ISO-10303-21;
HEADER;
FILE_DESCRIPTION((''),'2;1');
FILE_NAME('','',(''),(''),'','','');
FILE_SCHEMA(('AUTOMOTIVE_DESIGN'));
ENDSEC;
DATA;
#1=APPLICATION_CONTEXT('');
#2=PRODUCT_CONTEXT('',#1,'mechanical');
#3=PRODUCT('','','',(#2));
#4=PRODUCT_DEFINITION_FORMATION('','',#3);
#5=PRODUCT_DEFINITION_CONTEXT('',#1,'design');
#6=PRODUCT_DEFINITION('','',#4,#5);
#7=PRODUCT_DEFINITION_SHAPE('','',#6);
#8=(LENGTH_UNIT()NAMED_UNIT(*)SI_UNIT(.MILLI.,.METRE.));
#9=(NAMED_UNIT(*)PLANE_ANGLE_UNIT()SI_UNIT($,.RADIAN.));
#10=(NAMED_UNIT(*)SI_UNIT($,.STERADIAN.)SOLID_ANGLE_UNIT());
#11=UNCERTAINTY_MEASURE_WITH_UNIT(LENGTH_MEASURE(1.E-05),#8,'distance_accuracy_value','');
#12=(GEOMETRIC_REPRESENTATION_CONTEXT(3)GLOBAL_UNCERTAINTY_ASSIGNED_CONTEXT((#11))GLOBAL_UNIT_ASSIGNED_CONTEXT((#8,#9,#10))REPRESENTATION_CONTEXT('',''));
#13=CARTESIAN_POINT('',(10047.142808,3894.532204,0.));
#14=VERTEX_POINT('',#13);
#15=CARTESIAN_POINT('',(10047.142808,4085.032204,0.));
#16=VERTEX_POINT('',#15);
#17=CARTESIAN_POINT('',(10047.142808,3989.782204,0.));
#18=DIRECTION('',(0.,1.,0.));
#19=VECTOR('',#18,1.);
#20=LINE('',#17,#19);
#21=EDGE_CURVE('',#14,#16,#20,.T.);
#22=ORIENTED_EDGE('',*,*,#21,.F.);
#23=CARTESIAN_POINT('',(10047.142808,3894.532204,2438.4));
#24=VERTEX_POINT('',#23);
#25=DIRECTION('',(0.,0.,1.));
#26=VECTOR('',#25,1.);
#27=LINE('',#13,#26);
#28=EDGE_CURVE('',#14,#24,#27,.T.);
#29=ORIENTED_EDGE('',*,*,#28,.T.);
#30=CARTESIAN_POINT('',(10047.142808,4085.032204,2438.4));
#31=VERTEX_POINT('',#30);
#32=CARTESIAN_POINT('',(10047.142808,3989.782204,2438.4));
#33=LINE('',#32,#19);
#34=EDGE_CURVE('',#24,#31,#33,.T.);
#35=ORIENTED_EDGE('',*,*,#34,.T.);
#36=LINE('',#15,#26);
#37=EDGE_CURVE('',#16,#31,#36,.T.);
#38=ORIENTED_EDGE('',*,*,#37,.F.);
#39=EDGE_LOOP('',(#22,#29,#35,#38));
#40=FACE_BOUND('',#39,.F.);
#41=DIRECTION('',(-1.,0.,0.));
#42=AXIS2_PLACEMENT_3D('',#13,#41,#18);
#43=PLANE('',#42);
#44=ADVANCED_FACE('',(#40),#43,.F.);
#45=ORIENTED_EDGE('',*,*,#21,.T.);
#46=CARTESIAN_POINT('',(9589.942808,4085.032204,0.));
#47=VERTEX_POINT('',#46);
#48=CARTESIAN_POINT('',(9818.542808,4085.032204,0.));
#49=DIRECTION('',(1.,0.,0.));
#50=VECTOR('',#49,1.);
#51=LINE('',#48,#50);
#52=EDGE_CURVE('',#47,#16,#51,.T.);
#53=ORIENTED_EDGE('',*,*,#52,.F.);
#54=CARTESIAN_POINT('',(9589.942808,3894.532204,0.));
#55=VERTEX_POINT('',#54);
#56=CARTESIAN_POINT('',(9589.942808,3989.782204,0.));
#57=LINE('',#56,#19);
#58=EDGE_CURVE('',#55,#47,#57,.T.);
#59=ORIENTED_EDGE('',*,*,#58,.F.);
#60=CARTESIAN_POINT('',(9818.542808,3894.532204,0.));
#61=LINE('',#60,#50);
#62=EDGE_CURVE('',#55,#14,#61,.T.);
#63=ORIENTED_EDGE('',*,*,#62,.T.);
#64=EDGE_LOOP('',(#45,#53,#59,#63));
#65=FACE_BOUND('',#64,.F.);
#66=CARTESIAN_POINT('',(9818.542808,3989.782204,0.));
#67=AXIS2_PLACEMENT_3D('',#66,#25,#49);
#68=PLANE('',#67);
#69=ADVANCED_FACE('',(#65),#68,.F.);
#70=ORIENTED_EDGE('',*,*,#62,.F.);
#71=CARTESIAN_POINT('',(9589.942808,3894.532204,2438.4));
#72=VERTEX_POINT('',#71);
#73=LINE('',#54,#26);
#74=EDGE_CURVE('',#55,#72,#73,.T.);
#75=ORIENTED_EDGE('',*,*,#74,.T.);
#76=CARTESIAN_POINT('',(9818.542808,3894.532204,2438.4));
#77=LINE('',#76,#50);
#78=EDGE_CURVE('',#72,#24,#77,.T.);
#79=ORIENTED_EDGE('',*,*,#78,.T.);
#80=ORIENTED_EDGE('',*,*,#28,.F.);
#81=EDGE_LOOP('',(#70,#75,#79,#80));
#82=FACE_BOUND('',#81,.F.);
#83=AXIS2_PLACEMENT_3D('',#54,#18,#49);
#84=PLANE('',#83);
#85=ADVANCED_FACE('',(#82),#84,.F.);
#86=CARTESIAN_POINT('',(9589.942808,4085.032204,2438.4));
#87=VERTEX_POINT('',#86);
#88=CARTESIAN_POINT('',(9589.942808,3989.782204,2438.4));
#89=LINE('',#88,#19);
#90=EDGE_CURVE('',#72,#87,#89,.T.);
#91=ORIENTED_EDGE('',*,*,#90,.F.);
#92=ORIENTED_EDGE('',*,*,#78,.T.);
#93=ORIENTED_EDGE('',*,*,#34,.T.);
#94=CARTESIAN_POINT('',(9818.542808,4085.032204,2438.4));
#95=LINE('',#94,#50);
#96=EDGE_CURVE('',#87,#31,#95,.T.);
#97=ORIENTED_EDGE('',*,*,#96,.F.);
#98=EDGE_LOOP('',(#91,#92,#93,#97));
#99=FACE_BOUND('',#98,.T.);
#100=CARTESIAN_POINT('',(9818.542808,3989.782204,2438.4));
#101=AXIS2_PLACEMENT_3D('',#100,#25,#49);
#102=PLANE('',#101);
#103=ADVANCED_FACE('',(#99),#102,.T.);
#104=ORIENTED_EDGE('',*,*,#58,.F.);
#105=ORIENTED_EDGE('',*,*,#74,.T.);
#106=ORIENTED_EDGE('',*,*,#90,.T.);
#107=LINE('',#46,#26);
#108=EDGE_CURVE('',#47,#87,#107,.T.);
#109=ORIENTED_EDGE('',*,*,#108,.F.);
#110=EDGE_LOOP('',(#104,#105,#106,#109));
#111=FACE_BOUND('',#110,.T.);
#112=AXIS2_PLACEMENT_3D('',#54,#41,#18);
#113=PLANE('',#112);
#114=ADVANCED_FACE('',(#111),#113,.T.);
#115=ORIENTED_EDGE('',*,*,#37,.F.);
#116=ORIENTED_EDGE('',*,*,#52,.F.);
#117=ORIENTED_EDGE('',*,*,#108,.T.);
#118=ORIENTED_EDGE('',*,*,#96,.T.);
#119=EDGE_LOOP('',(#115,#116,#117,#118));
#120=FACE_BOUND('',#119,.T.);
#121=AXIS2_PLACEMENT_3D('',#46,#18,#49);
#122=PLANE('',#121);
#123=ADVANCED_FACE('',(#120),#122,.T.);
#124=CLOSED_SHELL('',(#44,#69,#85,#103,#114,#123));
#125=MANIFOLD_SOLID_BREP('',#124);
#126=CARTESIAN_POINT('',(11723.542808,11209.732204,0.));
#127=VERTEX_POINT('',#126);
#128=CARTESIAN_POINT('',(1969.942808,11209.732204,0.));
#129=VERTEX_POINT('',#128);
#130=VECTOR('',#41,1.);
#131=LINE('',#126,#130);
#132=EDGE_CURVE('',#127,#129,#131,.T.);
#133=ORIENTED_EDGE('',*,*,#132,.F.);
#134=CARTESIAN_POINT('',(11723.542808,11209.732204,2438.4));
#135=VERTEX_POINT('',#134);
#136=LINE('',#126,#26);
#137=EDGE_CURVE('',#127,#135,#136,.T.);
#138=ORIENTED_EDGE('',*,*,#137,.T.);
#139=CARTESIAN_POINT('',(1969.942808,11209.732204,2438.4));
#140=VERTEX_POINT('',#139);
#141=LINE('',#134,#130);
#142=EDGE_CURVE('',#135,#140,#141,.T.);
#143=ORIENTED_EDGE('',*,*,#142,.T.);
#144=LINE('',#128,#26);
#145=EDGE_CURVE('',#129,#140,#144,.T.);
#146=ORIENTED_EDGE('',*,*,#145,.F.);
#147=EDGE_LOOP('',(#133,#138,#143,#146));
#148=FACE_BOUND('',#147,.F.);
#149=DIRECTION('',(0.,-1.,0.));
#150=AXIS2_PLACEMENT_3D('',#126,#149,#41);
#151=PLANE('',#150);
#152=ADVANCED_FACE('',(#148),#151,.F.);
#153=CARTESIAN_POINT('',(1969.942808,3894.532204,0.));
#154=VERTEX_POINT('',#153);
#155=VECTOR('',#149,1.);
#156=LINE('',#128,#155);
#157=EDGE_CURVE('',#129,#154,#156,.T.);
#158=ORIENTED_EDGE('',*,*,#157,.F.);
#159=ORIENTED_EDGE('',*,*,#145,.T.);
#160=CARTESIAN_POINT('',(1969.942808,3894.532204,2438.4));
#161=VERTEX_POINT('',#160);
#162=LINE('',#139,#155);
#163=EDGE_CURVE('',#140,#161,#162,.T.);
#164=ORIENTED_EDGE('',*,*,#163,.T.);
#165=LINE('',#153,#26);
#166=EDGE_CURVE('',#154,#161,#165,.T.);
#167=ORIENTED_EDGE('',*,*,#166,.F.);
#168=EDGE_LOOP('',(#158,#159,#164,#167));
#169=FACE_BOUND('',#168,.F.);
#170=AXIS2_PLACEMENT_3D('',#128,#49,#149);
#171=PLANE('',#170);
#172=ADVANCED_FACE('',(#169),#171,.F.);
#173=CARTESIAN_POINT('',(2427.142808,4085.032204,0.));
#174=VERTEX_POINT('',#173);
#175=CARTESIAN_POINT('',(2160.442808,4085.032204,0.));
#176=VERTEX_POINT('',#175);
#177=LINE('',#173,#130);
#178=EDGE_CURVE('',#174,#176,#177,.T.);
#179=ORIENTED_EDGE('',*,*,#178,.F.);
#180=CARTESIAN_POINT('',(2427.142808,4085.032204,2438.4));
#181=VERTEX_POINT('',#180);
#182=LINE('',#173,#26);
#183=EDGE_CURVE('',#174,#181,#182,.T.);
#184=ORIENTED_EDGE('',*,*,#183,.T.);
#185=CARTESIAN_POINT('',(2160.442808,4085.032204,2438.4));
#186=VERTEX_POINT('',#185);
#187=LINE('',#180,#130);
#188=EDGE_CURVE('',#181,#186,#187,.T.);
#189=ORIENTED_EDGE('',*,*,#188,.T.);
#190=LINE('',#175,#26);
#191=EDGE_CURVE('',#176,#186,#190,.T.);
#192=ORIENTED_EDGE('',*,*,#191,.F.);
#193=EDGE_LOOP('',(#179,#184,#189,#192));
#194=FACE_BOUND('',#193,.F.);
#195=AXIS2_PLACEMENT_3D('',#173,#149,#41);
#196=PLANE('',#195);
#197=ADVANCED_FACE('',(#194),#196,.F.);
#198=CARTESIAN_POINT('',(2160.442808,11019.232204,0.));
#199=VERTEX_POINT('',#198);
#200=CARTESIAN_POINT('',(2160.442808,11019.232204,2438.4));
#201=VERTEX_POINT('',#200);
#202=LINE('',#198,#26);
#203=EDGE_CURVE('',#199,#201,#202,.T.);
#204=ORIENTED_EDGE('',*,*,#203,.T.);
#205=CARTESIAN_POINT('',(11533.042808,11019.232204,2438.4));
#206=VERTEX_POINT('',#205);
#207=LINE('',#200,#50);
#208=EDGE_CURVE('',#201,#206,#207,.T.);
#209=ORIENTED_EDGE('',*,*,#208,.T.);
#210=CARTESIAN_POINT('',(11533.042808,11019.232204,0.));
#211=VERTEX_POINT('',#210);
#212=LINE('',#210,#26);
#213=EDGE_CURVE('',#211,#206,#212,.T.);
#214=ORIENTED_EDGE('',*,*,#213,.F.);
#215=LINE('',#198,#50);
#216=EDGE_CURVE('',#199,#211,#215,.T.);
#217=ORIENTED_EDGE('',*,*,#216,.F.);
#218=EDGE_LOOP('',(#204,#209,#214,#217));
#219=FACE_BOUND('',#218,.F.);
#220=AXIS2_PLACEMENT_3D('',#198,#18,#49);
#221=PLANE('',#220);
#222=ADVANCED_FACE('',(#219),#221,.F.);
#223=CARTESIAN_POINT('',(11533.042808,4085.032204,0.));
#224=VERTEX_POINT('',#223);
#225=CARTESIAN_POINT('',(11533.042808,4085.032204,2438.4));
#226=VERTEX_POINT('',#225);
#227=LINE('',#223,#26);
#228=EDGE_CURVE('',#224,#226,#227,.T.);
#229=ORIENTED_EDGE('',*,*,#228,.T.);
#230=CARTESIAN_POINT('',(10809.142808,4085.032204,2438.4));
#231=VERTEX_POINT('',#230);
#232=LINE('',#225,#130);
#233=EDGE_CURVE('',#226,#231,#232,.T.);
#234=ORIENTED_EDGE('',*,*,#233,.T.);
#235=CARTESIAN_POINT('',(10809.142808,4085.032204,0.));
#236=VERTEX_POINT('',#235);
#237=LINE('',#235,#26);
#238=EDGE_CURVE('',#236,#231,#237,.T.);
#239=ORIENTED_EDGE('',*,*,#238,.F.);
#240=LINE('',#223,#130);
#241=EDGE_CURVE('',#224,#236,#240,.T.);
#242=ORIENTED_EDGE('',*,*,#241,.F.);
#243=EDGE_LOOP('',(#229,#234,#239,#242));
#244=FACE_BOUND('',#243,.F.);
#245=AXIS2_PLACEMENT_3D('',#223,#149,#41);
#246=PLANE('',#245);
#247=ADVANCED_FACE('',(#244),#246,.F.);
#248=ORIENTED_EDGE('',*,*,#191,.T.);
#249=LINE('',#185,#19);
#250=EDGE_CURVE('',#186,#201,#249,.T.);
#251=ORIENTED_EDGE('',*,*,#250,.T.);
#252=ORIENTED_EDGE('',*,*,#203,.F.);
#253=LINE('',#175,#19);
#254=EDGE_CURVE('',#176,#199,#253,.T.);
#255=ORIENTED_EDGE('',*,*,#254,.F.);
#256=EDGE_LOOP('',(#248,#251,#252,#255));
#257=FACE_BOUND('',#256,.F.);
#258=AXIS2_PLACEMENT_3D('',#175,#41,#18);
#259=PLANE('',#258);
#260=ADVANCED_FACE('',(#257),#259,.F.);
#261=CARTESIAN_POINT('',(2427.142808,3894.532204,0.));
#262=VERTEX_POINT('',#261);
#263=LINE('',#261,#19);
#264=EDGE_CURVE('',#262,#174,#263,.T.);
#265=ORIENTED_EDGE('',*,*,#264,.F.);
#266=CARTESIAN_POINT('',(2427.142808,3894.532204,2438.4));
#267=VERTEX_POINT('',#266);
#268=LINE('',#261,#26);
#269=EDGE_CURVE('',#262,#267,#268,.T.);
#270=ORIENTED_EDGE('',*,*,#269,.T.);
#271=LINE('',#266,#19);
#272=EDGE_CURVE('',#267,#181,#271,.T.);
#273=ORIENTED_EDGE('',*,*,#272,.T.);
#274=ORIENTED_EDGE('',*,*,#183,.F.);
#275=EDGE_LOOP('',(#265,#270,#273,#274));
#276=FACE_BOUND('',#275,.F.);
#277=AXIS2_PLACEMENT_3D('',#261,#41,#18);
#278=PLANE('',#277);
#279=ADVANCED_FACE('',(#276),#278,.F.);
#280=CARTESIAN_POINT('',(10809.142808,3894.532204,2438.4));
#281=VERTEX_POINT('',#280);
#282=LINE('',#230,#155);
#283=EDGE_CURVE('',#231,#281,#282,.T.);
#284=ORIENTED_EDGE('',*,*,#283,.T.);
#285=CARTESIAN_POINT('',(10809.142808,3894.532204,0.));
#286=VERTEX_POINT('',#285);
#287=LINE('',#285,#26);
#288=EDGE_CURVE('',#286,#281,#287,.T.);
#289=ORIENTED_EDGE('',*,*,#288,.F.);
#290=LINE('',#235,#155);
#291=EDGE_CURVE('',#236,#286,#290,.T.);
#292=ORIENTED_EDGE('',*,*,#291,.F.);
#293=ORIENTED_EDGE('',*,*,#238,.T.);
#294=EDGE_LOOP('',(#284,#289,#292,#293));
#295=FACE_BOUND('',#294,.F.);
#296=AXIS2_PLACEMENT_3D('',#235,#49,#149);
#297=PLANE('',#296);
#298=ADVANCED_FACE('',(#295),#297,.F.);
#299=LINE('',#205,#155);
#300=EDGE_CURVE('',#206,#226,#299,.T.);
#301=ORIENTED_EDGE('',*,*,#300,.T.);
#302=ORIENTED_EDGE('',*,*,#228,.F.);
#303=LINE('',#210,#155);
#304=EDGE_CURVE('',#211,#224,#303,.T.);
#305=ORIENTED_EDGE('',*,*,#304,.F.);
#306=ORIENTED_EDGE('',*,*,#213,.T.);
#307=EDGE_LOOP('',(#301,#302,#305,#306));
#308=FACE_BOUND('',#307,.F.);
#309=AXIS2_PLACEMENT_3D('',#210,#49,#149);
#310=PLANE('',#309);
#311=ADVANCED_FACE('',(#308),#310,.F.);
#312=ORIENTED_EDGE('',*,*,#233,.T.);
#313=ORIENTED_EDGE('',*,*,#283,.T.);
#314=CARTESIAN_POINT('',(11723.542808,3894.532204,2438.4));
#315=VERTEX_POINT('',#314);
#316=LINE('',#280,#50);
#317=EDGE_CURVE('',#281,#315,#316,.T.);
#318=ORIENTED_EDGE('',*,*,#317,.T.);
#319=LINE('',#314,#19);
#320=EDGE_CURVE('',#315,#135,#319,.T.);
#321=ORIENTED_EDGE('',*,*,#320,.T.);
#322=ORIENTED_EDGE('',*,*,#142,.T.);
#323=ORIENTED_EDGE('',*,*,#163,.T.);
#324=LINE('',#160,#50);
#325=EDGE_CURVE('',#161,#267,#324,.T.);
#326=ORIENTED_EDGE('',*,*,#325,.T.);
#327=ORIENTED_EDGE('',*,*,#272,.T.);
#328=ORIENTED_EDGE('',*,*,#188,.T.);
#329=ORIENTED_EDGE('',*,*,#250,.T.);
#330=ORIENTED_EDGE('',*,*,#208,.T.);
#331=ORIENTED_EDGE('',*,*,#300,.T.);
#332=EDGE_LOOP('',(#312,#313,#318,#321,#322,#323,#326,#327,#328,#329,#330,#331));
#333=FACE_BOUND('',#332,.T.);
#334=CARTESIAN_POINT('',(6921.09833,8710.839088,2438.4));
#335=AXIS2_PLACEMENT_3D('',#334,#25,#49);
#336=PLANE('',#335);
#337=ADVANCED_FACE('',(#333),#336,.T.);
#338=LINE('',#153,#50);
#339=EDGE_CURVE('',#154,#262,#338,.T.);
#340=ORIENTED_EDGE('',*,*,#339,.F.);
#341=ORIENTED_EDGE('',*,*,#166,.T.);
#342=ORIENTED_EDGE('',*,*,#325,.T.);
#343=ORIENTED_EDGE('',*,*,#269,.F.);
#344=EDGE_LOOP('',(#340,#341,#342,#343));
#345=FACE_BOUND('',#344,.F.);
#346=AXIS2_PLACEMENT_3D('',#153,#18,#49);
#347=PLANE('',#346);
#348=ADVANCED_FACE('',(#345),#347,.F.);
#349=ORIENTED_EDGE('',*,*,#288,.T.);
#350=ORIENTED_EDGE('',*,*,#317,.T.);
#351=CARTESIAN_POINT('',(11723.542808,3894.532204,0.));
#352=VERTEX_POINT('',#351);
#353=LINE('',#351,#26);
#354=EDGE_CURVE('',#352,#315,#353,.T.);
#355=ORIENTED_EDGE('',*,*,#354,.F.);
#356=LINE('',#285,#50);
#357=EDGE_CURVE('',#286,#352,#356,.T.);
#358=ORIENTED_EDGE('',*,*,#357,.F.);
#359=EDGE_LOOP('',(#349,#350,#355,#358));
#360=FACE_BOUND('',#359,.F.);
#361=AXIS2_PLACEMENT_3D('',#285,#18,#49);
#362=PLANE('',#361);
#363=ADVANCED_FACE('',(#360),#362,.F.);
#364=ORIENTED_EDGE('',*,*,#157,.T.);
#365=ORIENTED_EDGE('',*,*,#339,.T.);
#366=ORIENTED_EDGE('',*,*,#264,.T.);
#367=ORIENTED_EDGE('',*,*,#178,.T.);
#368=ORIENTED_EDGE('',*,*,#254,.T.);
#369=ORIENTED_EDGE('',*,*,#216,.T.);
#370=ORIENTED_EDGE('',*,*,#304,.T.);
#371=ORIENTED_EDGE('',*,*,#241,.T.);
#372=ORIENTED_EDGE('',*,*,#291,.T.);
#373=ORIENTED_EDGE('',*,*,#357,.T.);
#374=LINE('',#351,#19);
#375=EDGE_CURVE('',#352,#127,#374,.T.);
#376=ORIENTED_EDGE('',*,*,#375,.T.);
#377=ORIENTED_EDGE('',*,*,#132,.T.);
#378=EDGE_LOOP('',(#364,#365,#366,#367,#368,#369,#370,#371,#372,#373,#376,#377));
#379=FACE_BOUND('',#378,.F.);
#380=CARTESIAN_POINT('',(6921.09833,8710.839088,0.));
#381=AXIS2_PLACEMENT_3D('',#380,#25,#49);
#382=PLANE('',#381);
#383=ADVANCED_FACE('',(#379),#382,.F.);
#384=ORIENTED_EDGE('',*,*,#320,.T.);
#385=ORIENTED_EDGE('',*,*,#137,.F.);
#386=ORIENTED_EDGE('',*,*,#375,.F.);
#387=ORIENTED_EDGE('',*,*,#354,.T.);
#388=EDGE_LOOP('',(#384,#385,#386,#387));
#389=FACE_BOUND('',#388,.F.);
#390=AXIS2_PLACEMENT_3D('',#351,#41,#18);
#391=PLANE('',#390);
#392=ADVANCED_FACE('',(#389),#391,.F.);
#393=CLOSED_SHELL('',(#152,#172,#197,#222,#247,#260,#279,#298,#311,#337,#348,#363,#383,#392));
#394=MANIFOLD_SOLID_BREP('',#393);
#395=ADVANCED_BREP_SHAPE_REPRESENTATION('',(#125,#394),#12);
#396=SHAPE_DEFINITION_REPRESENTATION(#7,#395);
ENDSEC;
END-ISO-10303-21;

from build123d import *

# Parameters (mm, degrees)
F1_W     = 457.2
F1_H     = 190.5
F2_DEPTH = 2438.4


with BuildPart() as f2:
    # F1 (on face) → F2 (new body)
    with BuildSketch(Plane.XY):
        with Locations((9818.542808, 3989.782204)):
            Rectangle(F1_W, F1_H)
        Polygon((11723.542808, 11209.732204), (1969.942808, 11209.732204), (1969.942808, 3894.532204), (2427.142808, 3894.532204), (2427.142808, 4085.032204), (2160.442808, 4085.032204), (2160.442808, 11019.232204), (11533.042808, 11019.232204), (11533.042808, 4085.032204), (10809.142808, 4085.032204), (10809.142808, 3894.532204), (11723.542808, 3894.532204), align=None)
    extrude(amount=F2_DEPTH)


solid = f2.part
